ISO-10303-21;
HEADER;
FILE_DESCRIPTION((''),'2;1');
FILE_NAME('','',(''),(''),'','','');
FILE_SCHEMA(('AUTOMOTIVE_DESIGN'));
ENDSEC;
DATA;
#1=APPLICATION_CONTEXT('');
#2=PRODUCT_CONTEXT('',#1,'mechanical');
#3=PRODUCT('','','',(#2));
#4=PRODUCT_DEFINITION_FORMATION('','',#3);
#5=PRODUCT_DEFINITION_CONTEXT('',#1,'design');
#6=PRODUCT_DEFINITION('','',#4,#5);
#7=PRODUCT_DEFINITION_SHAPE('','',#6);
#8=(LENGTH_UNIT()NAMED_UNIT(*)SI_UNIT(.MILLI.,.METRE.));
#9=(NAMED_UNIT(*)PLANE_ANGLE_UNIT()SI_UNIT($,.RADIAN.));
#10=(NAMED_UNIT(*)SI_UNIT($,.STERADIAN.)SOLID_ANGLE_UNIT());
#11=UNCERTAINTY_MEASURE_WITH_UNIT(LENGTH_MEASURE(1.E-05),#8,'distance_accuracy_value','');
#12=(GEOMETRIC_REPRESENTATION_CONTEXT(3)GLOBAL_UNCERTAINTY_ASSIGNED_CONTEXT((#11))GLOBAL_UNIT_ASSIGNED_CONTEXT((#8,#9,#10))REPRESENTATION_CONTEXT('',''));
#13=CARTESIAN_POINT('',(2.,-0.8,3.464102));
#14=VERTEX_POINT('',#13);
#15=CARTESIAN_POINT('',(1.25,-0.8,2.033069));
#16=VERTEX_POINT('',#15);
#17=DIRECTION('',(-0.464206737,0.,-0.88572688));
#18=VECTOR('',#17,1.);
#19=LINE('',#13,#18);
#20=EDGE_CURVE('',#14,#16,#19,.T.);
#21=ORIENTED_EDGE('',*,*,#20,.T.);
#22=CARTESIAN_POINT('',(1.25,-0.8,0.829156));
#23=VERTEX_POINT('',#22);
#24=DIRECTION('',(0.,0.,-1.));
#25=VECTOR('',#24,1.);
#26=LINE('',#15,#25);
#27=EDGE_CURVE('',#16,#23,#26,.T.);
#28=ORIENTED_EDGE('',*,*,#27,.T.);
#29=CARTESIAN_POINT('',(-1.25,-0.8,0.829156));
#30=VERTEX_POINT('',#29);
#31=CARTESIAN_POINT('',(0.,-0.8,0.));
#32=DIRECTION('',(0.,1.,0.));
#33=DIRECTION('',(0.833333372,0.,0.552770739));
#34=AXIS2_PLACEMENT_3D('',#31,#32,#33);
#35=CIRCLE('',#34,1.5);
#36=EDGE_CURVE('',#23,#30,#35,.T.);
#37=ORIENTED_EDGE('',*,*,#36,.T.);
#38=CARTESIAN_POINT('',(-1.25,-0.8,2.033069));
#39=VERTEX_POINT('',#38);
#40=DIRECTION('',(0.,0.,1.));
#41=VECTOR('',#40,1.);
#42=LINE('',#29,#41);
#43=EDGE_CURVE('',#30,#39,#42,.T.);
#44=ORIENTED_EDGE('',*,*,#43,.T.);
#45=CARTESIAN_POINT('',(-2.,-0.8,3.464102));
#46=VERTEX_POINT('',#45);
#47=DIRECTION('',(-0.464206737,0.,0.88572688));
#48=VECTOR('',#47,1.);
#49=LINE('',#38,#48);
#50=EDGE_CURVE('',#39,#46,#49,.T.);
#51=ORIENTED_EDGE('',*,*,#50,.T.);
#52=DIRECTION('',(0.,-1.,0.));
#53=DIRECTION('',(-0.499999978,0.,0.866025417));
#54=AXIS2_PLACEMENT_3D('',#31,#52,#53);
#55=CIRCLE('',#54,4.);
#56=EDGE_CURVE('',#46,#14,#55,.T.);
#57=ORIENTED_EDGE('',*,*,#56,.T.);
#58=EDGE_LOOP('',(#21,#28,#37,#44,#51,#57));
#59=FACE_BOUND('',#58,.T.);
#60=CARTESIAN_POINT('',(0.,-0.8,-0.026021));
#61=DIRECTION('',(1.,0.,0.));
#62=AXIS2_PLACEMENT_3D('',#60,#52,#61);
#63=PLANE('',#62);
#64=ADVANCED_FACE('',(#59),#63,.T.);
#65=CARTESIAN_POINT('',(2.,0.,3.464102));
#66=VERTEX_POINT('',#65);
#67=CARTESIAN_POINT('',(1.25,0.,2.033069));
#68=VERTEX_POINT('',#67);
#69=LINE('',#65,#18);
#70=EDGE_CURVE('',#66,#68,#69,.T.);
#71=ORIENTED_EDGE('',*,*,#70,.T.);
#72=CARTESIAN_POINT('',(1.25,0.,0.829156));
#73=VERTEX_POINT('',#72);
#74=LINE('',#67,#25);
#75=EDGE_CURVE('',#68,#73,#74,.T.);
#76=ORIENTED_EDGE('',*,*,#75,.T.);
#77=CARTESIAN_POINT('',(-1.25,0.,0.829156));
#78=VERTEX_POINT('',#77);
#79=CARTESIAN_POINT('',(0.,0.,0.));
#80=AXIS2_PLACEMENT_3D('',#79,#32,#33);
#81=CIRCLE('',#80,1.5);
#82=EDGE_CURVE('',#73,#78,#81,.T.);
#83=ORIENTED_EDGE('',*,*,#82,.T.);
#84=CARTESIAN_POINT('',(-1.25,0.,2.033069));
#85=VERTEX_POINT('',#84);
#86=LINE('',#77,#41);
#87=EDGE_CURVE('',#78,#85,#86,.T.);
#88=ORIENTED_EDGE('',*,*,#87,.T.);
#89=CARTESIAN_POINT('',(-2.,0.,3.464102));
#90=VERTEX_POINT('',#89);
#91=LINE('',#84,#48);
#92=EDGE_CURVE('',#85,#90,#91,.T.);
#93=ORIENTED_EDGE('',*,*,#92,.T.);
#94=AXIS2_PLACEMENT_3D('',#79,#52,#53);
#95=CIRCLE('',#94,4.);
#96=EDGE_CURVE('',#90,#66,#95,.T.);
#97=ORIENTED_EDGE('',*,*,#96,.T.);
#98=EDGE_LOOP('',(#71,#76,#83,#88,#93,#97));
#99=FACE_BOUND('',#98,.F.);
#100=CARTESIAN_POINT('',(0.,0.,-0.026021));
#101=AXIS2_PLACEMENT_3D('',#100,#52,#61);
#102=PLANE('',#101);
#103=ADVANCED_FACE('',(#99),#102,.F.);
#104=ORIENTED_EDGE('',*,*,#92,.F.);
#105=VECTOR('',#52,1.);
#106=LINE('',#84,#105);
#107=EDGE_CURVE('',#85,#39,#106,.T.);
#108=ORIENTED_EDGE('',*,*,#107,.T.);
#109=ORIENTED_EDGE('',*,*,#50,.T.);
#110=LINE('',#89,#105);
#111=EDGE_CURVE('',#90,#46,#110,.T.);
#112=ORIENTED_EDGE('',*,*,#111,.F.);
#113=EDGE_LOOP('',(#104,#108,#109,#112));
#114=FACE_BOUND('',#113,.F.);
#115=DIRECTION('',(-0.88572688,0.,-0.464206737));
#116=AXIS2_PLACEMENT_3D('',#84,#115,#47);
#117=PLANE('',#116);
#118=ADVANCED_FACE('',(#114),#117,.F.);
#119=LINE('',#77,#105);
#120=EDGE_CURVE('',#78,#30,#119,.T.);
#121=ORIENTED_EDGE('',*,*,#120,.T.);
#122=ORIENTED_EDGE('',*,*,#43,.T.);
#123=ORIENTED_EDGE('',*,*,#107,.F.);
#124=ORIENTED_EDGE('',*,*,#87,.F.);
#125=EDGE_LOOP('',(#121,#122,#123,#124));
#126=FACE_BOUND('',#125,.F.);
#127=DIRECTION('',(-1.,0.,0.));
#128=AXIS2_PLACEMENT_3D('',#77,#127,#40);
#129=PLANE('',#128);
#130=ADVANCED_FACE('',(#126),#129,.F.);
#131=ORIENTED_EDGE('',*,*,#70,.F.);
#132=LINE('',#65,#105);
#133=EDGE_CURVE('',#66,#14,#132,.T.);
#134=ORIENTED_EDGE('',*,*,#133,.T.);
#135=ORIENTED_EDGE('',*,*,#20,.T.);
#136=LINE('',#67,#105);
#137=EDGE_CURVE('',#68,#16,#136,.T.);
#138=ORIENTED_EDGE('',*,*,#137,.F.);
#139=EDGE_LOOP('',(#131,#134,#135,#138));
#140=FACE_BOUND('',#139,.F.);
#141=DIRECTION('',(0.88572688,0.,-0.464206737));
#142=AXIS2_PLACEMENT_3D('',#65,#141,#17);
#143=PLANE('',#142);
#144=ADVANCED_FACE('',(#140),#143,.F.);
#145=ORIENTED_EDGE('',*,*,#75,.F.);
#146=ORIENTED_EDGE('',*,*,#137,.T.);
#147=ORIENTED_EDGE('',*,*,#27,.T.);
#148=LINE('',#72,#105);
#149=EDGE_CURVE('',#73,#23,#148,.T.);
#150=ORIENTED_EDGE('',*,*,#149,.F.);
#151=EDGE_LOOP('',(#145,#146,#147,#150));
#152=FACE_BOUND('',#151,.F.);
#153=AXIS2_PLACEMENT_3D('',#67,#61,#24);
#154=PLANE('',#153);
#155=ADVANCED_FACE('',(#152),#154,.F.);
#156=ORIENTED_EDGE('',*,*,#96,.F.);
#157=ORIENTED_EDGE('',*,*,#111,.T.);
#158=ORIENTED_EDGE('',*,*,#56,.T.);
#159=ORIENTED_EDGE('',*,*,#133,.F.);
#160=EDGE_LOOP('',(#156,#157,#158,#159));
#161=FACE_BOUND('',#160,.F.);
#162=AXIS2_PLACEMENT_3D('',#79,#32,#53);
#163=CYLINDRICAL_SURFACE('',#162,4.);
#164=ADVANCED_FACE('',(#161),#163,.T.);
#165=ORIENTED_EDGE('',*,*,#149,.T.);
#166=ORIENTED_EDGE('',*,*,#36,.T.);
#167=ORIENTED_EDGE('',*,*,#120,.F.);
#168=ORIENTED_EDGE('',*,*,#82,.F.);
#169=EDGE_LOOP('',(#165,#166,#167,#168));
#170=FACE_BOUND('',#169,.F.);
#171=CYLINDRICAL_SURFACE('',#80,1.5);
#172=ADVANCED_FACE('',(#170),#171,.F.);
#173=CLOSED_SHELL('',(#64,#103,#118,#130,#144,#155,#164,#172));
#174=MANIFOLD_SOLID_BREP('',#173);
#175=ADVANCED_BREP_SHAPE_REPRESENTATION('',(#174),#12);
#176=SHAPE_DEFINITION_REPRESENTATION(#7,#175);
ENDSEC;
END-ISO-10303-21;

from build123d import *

# Parameters (mm, degrees)
F1_DEPTH = 0.8


with BuildPart() as f1:
    # F0 (on Front) → F1 (new body)
    with BuildSketch(Plane.XZ):
        with BuildLine():
            Line((-1.25, 2.033069), (-2, 3.464102))
            ThreePointArc((-2, 3.464102), (0, -4), (2, 3.464102))
            Line((2, 3.464102), (1.25, 2.033069))
            Line((1.25, 2.033069), (1.25, 0.829156))
            ThreePointArc((1.25, 0.829156), (0, -1.5), (-1.25, 0.829156))
            Line((-1.25, 0.829156), (-1.25, 2.033069))
        make_face()
    extrude(amount=F1_DEPTH)


solid = f1.part
